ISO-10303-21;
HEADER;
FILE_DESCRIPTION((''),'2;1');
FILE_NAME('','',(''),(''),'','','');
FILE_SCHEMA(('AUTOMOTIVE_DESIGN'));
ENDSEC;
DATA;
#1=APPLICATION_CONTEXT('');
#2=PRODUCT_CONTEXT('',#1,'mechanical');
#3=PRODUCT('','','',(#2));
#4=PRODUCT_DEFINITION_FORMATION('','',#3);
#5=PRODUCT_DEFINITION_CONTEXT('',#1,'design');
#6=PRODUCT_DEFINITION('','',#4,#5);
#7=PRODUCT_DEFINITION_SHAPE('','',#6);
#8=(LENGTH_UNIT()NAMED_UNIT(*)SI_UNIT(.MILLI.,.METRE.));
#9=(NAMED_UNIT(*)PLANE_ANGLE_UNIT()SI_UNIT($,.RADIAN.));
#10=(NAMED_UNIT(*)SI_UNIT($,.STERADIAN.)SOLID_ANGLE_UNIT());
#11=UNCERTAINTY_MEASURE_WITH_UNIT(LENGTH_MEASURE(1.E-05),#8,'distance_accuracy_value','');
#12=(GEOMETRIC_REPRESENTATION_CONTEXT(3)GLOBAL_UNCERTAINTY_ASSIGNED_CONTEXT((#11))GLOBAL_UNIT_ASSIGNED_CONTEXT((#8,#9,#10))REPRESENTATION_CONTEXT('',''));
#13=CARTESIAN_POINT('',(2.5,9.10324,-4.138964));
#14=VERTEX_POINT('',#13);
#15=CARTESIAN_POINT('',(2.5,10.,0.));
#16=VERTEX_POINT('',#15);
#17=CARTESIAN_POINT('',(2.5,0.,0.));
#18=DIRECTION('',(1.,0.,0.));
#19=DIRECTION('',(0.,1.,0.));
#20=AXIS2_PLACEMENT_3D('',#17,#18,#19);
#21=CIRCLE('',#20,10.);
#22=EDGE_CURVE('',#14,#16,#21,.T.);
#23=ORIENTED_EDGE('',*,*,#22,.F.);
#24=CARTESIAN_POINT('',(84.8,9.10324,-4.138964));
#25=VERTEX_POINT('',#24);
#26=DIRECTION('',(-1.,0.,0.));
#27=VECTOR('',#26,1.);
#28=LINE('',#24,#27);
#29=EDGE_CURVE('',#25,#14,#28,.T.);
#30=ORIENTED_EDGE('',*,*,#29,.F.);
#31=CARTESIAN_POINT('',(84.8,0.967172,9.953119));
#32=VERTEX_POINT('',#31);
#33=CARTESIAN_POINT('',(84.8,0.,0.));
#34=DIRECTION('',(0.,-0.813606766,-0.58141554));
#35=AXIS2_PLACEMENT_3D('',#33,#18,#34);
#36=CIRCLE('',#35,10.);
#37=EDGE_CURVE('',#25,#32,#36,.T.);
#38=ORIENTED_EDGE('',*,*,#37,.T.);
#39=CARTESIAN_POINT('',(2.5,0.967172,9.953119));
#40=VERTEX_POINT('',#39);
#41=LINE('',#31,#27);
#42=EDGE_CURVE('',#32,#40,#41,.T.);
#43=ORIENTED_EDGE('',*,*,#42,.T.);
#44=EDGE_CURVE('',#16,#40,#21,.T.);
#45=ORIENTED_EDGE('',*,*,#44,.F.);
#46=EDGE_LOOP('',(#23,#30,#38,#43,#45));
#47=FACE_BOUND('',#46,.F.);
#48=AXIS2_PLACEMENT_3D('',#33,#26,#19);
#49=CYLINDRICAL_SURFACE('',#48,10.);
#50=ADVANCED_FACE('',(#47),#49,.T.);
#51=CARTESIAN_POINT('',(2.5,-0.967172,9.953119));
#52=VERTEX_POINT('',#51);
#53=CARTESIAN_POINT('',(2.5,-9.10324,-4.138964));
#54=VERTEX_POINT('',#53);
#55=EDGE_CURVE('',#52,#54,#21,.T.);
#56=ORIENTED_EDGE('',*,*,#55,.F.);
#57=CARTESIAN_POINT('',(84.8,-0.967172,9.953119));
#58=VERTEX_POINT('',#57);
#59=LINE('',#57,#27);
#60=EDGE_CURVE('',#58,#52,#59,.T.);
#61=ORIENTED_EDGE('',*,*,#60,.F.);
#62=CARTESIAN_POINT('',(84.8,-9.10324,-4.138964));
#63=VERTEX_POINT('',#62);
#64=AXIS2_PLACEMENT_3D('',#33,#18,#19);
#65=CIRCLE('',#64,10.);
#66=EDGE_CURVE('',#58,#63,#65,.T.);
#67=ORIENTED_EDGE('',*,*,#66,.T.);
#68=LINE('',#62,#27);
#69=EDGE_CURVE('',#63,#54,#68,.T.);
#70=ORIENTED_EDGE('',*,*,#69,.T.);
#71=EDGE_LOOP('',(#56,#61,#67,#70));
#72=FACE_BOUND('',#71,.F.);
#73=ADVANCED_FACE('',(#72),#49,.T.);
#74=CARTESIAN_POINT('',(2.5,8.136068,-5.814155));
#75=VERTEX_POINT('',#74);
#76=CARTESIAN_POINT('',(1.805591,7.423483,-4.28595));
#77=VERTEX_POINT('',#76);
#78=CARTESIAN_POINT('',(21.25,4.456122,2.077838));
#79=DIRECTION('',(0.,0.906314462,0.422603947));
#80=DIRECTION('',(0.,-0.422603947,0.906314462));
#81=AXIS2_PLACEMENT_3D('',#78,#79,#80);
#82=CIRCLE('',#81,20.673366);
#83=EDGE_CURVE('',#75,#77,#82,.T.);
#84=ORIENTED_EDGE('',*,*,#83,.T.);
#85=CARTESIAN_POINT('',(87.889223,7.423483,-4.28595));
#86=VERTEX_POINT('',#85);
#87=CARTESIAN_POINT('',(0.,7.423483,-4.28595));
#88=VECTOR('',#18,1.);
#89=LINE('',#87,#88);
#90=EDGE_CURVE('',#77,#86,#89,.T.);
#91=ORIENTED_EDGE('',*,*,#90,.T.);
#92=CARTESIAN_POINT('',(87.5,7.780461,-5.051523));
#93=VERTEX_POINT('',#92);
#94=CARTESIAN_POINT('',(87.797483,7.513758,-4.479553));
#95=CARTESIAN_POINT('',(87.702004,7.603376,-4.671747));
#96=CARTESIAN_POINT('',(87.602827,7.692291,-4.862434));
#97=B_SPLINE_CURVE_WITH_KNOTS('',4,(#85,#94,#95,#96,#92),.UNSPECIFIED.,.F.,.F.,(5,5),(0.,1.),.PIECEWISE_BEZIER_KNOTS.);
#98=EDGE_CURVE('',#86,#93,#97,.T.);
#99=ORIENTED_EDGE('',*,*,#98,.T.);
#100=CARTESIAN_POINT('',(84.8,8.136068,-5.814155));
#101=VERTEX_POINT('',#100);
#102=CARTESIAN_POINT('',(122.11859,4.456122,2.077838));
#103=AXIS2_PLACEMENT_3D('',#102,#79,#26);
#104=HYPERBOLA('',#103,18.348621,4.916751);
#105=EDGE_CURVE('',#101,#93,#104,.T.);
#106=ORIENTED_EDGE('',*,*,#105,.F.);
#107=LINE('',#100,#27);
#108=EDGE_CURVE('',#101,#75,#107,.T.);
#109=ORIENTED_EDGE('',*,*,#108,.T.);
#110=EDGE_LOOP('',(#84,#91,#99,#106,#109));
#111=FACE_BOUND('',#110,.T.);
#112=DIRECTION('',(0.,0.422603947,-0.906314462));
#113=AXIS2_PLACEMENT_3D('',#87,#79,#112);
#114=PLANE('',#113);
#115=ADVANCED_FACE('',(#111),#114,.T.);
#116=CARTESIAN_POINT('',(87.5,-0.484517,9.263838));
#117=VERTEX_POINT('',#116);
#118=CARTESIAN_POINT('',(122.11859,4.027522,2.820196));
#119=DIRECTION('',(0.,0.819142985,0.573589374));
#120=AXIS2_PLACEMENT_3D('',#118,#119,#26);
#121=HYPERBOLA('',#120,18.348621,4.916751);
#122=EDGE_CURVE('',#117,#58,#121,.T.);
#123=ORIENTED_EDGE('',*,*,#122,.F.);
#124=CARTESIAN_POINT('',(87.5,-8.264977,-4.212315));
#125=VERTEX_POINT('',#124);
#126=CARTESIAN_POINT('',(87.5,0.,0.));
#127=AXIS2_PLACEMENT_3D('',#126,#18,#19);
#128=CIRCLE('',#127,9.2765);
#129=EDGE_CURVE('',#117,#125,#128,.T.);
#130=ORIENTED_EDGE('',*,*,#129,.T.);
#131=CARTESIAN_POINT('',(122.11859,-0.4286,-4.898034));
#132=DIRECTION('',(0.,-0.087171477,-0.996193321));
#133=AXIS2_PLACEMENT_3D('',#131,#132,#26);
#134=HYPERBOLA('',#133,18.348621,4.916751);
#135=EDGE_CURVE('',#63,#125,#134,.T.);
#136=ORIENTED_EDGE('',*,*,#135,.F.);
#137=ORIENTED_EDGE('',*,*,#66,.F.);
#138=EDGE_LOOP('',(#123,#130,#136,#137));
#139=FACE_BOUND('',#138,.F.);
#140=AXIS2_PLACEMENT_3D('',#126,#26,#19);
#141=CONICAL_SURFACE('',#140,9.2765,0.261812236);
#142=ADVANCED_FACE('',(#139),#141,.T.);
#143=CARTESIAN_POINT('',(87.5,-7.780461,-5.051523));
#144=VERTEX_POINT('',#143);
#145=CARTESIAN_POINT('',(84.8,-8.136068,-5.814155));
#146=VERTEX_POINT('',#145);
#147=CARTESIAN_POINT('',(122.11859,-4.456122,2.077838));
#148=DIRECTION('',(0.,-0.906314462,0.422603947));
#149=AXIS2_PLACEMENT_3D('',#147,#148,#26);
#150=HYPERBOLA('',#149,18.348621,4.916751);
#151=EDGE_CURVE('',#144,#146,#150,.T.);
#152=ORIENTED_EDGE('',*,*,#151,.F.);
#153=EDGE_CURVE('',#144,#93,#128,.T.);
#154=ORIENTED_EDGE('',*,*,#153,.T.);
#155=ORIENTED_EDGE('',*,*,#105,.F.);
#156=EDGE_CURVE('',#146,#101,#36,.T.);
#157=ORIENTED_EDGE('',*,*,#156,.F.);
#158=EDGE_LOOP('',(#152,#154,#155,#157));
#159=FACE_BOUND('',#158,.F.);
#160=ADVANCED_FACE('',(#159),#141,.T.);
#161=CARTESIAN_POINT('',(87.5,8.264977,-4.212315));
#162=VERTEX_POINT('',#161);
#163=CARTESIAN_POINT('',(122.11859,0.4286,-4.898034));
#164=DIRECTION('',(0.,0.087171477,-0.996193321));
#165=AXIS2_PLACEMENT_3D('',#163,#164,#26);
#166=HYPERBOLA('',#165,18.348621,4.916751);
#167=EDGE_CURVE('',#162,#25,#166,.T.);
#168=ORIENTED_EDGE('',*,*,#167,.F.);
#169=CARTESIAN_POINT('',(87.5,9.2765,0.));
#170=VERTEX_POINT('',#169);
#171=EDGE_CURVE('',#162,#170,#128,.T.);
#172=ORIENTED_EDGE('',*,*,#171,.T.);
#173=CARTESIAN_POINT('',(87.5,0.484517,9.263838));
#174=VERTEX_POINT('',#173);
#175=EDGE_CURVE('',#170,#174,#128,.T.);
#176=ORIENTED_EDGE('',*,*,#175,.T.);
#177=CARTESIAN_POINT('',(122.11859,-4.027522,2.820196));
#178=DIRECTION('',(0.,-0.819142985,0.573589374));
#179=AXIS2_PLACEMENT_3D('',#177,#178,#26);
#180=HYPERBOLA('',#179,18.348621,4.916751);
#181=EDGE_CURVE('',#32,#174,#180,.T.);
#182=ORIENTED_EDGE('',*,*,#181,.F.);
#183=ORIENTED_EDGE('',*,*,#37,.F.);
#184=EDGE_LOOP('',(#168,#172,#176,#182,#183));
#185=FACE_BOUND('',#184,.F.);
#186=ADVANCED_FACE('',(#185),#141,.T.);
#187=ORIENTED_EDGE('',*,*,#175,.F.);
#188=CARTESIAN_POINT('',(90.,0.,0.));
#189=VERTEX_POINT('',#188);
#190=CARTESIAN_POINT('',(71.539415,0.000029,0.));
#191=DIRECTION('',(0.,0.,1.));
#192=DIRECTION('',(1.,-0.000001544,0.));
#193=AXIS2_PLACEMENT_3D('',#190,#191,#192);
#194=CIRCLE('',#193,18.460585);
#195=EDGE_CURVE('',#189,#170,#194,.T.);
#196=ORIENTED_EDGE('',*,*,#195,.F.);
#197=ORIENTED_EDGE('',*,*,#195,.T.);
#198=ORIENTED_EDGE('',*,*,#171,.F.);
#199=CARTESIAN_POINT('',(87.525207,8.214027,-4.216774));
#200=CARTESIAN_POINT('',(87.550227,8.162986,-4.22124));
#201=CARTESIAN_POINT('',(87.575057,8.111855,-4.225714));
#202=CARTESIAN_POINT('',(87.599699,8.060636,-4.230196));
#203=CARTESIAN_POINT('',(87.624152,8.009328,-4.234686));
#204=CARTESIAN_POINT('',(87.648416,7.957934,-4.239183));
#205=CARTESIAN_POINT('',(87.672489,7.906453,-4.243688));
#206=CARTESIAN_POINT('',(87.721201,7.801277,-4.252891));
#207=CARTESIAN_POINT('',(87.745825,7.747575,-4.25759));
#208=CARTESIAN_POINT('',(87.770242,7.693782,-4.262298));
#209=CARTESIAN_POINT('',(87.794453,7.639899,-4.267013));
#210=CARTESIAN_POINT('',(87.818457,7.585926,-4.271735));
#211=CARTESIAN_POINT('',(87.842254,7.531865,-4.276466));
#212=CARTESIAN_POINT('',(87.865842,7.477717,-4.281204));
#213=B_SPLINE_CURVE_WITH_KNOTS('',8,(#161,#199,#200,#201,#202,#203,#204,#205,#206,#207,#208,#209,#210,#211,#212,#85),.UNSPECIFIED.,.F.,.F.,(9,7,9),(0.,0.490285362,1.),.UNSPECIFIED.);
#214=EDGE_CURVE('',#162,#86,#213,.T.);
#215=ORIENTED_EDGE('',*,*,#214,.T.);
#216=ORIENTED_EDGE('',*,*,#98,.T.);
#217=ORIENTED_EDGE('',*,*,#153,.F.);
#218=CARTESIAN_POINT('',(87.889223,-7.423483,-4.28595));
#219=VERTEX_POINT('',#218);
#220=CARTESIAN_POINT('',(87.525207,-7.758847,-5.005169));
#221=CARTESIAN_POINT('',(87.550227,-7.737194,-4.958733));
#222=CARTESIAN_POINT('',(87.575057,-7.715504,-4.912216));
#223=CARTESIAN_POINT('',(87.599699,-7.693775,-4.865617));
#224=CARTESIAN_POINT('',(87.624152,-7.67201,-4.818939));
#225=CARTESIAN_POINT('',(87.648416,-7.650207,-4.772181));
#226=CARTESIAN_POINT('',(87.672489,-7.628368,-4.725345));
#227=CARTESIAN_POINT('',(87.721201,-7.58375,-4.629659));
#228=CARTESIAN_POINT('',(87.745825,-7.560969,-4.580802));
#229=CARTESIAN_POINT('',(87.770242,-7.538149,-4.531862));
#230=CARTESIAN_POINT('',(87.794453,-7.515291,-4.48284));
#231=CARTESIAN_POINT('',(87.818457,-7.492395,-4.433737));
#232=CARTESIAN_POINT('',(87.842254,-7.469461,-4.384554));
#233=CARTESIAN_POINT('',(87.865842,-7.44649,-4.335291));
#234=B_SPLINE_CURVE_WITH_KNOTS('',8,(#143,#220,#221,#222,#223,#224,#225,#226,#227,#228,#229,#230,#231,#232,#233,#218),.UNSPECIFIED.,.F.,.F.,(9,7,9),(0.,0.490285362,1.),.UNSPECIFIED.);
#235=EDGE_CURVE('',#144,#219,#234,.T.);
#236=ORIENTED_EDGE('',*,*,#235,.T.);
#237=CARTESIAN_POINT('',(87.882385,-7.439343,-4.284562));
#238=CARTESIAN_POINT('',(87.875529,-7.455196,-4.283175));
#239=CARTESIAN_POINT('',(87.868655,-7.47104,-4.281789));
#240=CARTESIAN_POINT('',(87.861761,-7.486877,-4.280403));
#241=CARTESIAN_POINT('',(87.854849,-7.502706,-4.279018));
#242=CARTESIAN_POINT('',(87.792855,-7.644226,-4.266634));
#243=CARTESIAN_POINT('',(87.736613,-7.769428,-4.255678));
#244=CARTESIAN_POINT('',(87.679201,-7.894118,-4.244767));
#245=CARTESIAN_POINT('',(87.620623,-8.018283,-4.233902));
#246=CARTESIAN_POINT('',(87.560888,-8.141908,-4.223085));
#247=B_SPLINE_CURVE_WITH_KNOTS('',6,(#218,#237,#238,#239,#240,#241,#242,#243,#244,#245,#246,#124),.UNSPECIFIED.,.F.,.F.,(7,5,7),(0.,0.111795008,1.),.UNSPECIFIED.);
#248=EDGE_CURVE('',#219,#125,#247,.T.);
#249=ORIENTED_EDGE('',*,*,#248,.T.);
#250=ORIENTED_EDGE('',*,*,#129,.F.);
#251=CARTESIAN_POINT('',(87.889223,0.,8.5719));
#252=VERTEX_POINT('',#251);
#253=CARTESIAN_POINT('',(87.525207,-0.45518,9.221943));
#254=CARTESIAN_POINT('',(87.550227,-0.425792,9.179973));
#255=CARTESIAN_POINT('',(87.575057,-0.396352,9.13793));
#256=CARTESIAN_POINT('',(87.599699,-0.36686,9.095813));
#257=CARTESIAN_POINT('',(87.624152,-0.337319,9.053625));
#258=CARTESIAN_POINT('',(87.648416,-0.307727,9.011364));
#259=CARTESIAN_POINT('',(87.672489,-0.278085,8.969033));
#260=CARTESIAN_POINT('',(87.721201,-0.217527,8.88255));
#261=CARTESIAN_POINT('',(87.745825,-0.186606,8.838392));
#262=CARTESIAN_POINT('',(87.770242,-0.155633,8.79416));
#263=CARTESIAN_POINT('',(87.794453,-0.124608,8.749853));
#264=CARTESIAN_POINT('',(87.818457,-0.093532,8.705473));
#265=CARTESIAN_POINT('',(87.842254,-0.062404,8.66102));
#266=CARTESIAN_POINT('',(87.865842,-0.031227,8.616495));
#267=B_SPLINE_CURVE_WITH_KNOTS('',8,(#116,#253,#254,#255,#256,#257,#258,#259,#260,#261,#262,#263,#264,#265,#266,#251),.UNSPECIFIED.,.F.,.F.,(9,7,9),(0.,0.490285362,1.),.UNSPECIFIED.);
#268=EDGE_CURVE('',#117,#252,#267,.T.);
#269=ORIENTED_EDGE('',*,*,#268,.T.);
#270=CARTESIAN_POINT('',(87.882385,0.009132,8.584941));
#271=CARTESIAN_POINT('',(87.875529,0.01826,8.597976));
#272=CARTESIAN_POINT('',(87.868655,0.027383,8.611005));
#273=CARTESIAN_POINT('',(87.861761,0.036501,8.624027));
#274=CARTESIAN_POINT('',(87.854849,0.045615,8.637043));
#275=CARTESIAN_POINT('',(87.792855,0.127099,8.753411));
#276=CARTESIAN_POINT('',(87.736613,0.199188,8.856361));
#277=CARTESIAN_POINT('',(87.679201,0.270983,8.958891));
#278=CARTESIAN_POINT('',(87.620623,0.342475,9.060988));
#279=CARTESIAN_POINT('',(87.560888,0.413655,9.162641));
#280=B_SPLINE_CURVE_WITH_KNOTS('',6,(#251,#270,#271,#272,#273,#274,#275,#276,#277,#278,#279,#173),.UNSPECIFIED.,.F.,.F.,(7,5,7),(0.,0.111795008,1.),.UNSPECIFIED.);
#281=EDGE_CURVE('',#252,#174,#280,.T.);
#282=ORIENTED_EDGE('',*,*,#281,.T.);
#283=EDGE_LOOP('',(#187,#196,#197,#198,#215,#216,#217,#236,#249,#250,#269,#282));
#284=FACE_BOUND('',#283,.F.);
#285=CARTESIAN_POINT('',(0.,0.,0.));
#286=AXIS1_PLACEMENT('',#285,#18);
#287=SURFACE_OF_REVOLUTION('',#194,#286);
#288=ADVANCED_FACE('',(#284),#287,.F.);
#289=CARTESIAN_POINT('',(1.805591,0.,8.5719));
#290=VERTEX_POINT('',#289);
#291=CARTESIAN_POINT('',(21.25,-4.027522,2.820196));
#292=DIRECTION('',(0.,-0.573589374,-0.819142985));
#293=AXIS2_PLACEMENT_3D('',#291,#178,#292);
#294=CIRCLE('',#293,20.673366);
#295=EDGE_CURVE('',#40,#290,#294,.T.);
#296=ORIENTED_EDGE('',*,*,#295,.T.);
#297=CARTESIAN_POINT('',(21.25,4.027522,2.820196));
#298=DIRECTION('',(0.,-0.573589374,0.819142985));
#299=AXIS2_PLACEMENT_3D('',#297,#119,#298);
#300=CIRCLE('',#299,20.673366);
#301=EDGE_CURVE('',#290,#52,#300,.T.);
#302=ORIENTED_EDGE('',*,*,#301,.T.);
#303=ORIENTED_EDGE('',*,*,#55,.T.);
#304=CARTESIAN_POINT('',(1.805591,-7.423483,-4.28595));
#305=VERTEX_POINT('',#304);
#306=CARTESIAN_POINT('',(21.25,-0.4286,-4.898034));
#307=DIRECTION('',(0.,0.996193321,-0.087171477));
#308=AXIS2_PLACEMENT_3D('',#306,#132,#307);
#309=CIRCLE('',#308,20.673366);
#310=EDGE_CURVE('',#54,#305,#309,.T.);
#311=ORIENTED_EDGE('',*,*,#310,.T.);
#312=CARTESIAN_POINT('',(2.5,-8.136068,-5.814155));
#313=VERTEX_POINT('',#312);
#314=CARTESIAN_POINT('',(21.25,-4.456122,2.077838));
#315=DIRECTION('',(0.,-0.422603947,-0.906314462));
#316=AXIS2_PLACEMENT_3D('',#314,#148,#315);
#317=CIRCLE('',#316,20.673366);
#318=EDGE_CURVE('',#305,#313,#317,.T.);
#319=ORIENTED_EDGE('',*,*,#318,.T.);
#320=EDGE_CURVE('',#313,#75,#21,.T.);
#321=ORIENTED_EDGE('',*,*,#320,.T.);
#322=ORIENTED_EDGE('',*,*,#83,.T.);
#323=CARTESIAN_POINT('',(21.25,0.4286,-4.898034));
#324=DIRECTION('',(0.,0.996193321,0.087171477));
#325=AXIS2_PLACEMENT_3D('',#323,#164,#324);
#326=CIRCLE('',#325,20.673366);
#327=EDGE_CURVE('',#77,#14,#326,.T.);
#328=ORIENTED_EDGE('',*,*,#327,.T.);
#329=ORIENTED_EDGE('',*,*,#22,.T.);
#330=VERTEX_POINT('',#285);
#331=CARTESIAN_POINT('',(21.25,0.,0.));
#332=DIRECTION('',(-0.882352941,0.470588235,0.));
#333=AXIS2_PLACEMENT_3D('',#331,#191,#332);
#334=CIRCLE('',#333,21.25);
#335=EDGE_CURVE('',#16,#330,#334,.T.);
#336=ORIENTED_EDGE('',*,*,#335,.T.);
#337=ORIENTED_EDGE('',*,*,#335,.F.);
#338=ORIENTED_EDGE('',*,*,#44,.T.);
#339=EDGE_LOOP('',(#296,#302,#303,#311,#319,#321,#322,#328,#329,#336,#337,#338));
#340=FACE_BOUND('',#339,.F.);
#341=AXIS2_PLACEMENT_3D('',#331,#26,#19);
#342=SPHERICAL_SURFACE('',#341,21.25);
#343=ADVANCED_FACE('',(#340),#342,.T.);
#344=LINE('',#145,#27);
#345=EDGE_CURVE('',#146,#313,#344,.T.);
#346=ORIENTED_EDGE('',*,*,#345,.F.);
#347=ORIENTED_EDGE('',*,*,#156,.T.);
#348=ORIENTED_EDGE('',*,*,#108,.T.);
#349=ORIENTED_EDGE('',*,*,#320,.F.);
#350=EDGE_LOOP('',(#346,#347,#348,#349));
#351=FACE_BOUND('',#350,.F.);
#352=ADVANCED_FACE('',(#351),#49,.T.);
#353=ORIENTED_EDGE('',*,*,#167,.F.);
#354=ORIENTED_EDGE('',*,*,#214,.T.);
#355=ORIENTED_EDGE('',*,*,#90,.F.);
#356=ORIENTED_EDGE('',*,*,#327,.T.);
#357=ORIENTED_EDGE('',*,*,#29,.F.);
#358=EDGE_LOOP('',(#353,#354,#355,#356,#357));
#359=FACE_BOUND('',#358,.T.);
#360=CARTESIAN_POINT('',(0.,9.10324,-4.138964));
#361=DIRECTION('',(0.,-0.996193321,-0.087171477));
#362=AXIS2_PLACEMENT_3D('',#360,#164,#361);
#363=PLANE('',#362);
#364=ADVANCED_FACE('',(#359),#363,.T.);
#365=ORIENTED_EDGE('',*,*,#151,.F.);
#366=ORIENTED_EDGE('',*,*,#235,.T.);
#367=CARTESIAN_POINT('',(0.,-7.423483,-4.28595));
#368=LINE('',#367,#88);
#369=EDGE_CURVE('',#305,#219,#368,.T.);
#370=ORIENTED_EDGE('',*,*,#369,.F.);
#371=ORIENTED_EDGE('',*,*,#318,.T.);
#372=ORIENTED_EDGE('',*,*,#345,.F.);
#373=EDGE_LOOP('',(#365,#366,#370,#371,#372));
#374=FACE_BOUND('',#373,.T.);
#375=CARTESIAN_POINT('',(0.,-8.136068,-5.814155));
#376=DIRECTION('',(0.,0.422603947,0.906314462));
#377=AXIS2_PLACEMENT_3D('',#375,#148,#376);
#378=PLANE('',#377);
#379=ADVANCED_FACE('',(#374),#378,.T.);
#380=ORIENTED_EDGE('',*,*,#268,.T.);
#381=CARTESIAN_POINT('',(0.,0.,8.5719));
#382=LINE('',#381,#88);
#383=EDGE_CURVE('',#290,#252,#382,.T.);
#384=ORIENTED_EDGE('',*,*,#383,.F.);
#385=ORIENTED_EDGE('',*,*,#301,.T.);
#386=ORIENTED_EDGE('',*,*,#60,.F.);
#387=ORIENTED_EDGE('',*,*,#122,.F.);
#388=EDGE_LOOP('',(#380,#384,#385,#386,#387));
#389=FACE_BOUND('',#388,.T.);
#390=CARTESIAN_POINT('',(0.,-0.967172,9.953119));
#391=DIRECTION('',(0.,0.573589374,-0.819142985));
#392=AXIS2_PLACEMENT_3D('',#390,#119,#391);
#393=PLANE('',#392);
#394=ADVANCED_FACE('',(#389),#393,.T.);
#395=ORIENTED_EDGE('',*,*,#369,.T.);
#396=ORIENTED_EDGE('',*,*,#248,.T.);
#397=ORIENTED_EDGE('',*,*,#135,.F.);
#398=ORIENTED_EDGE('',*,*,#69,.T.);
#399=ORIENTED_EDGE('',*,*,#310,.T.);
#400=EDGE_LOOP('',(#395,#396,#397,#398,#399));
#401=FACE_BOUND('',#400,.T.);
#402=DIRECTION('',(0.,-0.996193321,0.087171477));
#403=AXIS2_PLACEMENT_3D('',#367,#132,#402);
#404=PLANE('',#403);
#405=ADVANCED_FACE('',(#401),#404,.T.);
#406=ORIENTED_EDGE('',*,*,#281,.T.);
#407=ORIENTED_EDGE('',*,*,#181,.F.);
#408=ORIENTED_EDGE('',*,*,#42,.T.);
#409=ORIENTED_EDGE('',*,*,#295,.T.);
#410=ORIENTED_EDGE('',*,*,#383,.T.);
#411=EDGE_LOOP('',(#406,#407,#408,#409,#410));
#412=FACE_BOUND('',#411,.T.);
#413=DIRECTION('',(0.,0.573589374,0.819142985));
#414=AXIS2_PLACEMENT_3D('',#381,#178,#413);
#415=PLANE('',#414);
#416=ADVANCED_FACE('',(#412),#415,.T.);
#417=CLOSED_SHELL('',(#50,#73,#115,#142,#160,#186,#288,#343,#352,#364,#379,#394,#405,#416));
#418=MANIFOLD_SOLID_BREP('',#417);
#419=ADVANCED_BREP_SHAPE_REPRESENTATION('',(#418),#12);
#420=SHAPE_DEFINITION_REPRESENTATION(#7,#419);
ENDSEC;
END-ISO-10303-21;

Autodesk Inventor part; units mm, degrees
ref_plane "YZ Plane" through (0, 0, 0) normal (1, 0, 0) x (0, 1, 0)
ref_plane "XZ Plane" through (0, 0, 0) normal (0, 1, 0) x (-1, 0, 0)
ref_plane "XY Plane" through (0, 0, 0) normal (0, 0, 1) x (1, 0, 0)
sketch "Sketch1" plane through (0, 0, 0) normal (0, 0, 1) x (1, 0, 0)
  line L0 (87.5, 9.2765) -> (84.8, 10)
  line L1 (84.8, 10) -> (2.5, 10)
  line L2 (0, 0) -> (90, 0)
  arc A0 (90, 0) -> (87.5, 9.2765) centre (71.5392, 0) ccw
  arc A1 (2.5, 10) -> (0, 0) centre (21.25, 0) ccw
  dimension "d0" = 90
  dimension "d1" = 20
  dimension "d2" = 5.2
  dimension "d3" = 15
  dimension "d4" = 2.5
  dimension "d5" = 2.5
revolve "Body" add sketch "Sketch1" angle 360 about axis through (0, 0, 0) along (1, 0, 0)
sketch "Sketch2" plane through (0, 0, 0) normal (1, 0, 0) x (0, 1, 0)
  circle A0 centre (0, 0) radius 10 projected
  line L0 (0, 10) -> (-1, 10)
  line L1 (0, 10) -> (1, 10)
  line L2 (-1, 10) -> (0, 8.5719)
  line L3 (0, 8.5719) -> (1, 10)
  line L4 (0, -14) -> (0, 14) projected
  dimension "d6" = 35
  dimension "d7" = 35
  dimension "d8" = 1
extrude "Groove" cut sketch "Sketch2" along normal through all contours L3 L4 A0 | A0 L1 L3 | L4 L2 A0 | A0 L2 L0 picked at (0.5375, 9.5014) picked at (-0.5375, 9.5014)
pattern_circular "Grooves" count 3 over 360 about axis through (-10, 0, 0) along (1, 0, 0) of "Groove"
equation "\"d0\" = NLG"
equation "\"d1\" = NND"
equation "\"d2\" = PHH"
equation "\"d3\" = FAWI"
equation "\"d4\" = KAH"
equation "\"d5\" = KAH"
equation "\"d8\" = 0.05 * NND"
equation "\"NND\" = 20"
equation "\"NLG\" = 90"
equation "\"PHH\" = 5.2"
equation "\"FAWI\" = 15deg"
equation "\"KAH\" = 2.5"
equation "\"d13\" = -KAH"
equation "\"d28\" = KAH"
equation "\"NND1\" = 20.5"
equation "\"KAH1\" = 1.82"
equation "\"NLG1\" = 88.18"
properties part number "CNS 9215 - 20 x 90" material "Steel, Mild"
